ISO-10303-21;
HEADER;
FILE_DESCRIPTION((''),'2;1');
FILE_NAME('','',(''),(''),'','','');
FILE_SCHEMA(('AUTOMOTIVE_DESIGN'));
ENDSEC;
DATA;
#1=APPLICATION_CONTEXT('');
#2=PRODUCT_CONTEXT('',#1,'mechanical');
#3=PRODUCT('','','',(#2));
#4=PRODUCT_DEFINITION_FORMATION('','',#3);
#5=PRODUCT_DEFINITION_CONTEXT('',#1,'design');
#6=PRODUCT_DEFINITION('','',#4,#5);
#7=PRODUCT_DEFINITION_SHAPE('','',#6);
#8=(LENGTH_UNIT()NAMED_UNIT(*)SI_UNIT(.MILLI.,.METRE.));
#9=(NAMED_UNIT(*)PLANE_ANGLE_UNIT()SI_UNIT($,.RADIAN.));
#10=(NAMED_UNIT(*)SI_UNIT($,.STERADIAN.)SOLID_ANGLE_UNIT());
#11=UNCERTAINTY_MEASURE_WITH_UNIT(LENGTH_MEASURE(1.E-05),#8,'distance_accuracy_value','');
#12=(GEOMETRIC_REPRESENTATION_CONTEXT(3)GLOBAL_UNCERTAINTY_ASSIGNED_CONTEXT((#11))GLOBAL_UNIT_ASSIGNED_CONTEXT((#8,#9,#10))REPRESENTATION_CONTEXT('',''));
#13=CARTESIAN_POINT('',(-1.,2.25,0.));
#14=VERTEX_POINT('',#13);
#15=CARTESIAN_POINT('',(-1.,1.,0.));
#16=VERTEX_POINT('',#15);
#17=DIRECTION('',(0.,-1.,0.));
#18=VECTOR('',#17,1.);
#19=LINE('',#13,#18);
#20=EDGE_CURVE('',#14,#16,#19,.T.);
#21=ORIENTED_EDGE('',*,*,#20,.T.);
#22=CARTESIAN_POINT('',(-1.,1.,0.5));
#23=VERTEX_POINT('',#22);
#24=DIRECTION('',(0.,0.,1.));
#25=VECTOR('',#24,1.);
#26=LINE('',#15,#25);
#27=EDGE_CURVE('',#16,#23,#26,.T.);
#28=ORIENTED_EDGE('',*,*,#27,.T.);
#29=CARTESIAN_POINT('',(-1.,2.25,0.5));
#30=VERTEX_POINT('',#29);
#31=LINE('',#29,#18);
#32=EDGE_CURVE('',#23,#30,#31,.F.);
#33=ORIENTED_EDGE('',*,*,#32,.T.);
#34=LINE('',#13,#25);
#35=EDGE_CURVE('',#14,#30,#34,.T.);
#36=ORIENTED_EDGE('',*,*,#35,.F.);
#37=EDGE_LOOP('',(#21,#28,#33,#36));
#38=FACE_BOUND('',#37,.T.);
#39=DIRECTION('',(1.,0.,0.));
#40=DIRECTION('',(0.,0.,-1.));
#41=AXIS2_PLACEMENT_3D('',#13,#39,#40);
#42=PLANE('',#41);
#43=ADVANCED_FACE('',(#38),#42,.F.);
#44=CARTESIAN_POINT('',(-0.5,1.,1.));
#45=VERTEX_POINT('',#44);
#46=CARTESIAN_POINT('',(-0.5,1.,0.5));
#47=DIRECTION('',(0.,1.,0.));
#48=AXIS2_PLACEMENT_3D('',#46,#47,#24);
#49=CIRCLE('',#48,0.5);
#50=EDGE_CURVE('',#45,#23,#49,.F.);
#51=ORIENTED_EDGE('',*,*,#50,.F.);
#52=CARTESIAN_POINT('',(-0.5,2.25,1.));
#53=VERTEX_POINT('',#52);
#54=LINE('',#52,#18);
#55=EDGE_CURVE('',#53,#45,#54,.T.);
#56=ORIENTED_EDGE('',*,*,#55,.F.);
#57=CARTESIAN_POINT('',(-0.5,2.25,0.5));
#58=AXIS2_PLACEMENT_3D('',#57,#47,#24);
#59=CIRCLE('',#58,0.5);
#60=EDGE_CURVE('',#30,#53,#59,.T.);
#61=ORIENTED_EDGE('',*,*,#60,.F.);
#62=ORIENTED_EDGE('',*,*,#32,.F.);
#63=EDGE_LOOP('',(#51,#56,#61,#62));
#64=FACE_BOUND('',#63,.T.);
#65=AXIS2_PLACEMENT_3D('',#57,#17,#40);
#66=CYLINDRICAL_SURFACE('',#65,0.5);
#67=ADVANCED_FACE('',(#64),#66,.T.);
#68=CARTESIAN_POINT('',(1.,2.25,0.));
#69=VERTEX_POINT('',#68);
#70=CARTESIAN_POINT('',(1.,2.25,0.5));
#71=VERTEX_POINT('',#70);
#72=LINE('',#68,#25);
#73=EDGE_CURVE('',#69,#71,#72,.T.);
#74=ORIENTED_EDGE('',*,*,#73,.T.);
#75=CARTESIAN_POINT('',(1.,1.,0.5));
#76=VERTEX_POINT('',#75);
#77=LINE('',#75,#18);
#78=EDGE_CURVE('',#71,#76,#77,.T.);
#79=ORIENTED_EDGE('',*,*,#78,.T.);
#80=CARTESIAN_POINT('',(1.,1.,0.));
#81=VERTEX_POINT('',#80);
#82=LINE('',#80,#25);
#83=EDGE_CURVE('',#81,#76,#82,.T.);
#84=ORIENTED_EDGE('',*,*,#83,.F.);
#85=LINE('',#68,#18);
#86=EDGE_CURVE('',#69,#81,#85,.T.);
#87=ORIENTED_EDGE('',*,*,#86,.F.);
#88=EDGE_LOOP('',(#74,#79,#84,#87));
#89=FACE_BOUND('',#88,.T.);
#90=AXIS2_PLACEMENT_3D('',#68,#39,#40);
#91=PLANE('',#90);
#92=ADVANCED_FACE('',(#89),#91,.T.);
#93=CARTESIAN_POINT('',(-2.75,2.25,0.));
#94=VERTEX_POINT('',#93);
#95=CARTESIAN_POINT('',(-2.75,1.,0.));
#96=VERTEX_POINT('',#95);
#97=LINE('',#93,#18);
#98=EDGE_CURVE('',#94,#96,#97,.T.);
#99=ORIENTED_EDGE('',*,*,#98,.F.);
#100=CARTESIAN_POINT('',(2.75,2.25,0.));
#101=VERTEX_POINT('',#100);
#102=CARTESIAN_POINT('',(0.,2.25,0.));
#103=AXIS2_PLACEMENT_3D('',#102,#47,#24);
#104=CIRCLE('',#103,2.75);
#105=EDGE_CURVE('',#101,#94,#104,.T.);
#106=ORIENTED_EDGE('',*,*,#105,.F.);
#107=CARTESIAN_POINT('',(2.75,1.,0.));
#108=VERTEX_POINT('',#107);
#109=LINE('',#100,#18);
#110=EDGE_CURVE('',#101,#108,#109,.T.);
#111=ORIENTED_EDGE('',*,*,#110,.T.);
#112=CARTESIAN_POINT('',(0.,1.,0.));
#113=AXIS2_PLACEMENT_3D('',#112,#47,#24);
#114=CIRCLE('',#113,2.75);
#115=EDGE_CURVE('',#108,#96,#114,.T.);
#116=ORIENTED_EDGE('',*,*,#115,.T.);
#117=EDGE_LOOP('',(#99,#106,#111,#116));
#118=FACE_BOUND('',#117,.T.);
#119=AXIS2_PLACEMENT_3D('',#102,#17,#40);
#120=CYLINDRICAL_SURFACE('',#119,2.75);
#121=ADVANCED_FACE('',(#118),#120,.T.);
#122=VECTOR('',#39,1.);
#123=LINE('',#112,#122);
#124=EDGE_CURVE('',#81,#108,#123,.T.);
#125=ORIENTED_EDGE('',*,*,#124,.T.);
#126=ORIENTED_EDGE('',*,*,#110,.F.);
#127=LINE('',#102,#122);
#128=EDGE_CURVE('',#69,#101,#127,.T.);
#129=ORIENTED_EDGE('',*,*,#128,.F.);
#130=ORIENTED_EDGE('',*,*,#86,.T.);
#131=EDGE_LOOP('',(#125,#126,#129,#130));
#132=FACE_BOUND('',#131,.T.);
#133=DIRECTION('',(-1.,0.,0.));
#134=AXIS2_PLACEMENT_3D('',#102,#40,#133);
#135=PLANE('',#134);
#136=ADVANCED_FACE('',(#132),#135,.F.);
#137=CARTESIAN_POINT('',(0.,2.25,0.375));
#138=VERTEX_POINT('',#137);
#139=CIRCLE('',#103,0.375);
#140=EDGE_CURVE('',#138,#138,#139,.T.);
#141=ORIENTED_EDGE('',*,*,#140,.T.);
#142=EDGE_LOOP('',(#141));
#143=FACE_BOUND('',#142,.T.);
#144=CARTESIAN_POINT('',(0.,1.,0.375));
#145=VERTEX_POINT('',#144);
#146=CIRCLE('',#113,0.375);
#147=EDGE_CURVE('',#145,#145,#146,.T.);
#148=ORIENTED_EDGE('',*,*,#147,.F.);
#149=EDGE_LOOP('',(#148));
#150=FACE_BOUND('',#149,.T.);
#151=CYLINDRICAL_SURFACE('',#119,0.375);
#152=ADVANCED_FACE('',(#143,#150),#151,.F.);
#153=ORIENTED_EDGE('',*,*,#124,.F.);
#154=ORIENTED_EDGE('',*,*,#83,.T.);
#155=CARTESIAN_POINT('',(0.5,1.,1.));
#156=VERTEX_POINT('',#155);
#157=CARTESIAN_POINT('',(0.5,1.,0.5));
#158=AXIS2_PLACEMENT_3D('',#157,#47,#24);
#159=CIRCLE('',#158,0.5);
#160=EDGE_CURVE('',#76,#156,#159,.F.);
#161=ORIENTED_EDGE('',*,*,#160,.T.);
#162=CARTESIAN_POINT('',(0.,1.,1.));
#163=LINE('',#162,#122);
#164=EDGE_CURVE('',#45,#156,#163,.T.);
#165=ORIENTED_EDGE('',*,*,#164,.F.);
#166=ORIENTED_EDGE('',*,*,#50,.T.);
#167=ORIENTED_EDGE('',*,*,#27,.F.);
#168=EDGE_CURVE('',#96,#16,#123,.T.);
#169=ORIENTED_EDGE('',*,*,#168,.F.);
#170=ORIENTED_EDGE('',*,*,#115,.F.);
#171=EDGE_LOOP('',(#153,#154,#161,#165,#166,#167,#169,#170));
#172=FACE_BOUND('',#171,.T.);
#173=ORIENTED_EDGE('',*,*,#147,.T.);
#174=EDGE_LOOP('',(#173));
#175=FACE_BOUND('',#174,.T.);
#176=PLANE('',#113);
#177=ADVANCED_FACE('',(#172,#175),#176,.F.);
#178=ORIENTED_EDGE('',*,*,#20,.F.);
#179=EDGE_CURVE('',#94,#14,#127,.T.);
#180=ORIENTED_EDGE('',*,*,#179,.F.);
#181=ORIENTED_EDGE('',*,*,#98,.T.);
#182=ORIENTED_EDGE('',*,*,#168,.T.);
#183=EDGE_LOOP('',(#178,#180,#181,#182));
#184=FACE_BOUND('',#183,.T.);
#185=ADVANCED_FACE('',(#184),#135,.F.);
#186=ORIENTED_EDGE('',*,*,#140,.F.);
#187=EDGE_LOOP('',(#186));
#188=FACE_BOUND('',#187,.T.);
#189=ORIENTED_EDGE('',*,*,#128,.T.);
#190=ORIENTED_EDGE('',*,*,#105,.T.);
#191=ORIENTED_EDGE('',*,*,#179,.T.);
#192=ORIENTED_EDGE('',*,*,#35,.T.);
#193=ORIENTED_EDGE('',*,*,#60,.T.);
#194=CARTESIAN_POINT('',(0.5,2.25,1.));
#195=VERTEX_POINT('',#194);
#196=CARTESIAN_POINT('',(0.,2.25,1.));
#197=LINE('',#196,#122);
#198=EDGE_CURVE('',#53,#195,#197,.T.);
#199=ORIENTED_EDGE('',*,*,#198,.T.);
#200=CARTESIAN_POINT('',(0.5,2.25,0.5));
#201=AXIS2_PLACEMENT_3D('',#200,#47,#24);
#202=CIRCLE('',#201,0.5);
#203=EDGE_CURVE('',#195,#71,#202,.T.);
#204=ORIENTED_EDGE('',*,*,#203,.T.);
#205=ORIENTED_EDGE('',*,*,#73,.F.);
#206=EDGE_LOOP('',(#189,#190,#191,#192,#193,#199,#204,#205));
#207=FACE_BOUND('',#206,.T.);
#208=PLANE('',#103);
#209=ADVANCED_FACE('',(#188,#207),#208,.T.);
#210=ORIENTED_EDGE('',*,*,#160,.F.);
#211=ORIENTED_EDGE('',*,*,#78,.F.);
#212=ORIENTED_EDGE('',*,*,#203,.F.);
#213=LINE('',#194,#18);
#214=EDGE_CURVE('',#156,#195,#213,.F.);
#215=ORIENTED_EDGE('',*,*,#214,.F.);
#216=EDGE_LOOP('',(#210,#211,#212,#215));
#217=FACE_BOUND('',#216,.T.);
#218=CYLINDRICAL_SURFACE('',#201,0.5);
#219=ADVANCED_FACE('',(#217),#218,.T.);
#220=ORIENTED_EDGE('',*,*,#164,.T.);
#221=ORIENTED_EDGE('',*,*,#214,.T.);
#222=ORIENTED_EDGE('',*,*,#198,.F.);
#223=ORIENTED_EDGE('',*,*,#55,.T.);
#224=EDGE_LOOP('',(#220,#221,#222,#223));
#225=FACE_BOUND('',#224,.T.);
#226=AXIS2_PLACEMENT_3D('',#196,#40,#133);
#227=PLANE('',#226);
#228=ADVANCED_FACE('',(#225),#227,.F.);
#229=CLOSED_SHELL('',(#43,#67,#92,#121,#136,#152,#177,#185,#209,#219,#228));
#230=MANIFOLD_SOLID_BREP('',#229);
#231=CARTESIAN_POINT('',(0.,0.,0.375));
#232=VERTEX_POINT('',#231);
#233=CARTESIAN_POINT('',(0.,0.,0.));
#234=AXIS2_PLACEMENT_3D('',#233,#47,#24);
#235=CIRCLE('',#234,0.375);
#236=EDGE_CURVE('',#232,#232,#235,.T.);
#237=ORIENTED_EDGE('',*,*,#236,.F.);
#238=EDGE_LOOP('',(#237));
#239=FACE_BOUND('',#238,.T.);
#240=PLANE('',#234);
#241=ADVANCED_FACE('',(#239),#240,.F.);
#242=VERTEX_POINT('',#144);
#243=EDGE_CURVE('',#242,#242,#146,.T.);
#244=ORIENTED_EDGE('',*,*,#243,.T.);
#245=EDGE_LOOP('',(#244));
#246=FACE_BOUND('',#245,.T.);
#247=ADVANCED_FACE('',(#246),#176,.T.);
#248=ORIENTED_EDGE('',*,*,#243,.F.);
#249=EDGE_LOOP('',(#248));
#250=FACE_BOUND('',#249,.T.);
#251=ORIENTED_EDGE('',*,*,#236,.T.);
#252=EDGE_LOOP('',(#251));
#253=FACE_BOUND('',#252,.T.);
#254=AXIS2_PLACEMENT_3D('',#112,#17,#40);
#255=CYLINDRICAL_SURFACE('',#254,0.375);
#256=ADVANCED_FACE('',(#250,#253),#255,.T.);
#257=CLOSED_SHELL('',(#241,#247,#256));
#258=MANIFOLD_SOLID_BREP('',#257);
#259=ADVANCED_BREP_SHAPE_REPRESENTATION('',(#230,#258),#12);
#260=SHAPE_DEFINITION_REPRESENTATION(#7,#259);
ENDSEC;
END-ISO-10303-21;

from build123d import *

# Parameters (mm, degrees)
SKETCH2_R           = 0.375
BOSS_EXTRUDE1_DEPTH = 1
BOSS_EXTRUDE2_DEPTH = 1.25
FILLET1_R           = 0.5


with BuildPart() as part:
    # Sketch2 → Boss-Extrude1 (new body)
    with BuildSketch(Plane(origin=(0, 0, 0), x_dir=(1, 0, 0), z_dir=(0, 1, 0))):
        Circle(SKETCH2_R)
    extrude(amount=BOSS_EXTRUDE1_DEPTH)


with BuildPart() as body_2:
    # Sketch3 → Boss-Extrude2 (new body)
    with BuildSketch(Plane(origin=(0, 1, 0), x_dir=(1, 0, 0), z_dir=(0, 1, 0))):
        with BuildLine():
            ThreePointArc((2.75, 0), (0, 2.75), (-2.75, 0))
            Line((-2.75, 0), (-1, 0))
            Line((-1, 0), (-0.375, 0))
            ThreePointArc((-0.375, 0), (0, 0.375), (0.375, 0))
            Line((0.375, 0), (1, 0))
            Line((1, 0), (2.75, 0))
        make_face()
        with BuildLine():
            Line((-0.375, 0), (-1, 0))
            Line((-1, 0), (-1, -1))
            Line((-1, -1), (1, -1))
            Line((1, -1), (1, 0))
            Line((1, 0), (0.375, 0))
            ThreePointArc((0.375, 0), (0, -0.375), (-0.375, 0))
        make_face()
    extrude(amount=BOSS_EXTRUDE2_DEPTH)

    # Fillet1
    fillet1_edges = [body_2.edges().sort_by_distance(p)[0] for p in [
        (1, 1.625, 1),
        (-1, 1.625, 1),
    ]]
    fillet(fillet1_edges, radius=FILLET1_R)


solid = Compound([part.part, body_2.part])
